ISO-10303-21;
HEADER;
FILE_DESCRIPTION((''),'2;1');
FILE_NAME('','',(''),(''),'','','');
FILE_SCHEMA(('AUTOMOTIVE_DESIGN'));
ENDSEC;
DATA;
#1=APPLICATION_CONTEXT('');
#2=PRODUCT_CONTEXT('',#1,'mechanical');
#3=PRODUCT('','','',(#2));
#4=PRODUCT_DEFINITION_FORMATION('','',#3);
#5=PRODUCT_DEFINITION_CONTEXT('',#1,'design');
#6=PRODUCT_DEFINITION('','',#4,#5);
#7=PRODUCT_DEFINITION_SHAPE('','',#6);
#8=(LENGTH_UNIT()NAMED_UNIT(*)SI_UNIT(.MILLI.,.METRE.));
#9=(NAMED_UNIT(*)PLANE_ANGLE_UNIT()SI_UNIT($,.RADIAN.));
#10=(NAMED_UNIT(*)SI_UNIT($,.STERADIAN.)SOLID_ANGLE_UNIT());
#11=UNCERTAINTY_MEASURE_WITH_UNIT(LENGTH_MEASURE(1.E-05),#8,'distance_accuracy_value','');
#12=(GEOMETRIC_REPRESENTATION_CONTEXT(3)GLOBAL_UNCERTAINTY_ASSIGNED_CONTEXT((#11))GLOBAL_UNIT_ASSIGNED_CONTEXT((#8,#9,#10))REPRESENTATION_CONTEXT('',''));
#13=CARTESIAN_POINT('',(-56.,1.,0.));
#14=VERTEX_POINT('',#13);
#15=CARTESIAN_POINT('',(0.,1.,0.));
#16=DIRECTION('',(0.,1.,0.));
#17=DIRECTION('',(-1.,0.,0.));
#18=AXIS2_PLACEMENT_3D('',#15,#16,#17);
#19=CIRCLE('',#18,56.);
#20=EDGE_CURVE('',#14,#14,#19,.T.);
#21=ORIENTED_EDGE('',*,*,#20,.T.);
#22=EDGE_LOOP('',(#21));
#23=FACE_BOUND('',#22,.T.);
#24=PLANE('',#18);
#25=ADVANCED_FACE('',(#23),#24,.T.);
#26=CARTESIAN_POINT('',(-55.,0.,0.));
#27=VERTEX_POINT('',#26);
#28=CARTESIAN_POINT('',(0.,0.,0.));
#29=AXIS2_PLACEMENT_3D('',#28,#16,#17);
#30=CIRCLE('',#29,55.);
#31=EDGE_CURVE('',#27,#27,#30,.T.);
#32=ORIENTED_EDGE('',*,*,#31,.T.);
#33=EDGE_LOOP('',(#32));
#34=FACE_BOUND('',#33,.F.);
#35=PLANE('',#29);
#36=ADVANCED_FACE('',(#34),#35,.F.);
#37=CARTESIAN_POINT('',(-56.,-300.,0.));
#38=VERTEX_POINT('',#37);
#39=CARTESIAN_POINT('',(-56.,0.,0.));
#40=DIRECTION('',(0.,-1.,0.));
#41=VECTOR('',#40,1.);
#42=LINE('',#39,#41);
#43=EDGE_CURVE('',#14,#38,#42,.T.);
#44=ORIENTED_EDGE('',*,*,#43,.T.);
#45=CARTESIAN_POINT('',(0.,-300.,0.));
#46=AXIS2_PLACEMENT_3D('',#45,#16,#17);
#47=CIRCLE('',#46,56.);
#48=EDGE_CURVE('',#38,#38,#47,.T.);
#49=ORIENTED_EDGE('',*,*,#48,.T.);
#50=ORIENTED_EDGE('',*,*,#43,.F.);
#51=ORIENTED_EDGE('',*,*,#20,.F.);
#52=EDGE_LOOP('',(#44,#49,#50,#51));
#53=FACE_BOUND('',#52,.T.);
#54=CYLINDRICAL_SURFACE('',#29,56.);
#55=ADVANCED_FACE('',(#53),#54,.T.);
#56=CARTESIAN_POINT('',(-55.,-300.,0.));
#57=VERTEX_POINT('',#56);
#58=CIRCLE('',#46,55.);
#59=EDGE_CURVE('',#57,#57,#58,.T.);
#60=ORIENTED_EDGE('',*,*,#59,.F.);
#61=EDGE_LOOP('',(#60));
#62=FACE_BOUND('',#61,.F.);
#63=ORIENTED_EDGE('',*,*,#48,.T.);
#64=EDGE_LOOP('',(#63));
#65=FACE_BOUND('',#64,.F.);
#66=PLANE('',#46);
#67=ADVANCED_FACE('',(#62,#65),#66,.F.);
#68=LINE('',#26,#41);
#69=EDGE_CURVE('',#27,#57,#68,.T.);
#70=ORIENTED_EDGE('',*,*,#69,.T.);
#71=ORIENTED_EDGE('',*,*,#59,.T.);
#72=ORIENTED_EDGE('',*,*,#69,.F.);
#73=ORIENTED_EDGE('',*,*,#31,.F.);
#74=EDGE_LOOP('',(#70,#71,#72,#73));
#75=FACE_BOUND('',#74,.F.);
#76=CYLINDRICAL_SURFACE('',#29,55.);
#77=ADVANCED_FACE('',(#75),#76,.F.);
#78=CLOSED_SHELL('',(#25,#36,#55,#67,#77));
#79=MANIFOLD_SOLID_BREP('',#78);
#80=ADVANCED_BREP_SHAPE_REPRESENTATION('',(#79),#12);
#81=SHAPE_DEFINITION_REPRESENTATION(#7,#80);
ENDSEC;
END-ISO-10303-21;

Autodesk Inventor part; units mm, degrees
ref_plane "YZ Plane" through (0, 0, 0) normal (1, 0, 0) x (0, 1, 0)
ref_plane "XZ Plane" through (0, 0, 0) normal (0, 1, 0) x (-1, 0, 0)
ref_plane "XY Plane" through (0, 0, 0) normal (0, 0, 1) x (1, 0, 0)
sketch "Sketch1" plane through (0, 0, 0) normal (0, 1, 0) x (-1, 0, 0)
  circle A0 centre (0, 0) radius 55
  dimension "d0" = 110
extrude "Extrusion1" add sketch "Sketch1" against normal blind 300
shell "Shell1" thickness 1 outward yes removed faces 1 at (-13.749, -300, -10.4033)
properties part number "REF_CAN"
